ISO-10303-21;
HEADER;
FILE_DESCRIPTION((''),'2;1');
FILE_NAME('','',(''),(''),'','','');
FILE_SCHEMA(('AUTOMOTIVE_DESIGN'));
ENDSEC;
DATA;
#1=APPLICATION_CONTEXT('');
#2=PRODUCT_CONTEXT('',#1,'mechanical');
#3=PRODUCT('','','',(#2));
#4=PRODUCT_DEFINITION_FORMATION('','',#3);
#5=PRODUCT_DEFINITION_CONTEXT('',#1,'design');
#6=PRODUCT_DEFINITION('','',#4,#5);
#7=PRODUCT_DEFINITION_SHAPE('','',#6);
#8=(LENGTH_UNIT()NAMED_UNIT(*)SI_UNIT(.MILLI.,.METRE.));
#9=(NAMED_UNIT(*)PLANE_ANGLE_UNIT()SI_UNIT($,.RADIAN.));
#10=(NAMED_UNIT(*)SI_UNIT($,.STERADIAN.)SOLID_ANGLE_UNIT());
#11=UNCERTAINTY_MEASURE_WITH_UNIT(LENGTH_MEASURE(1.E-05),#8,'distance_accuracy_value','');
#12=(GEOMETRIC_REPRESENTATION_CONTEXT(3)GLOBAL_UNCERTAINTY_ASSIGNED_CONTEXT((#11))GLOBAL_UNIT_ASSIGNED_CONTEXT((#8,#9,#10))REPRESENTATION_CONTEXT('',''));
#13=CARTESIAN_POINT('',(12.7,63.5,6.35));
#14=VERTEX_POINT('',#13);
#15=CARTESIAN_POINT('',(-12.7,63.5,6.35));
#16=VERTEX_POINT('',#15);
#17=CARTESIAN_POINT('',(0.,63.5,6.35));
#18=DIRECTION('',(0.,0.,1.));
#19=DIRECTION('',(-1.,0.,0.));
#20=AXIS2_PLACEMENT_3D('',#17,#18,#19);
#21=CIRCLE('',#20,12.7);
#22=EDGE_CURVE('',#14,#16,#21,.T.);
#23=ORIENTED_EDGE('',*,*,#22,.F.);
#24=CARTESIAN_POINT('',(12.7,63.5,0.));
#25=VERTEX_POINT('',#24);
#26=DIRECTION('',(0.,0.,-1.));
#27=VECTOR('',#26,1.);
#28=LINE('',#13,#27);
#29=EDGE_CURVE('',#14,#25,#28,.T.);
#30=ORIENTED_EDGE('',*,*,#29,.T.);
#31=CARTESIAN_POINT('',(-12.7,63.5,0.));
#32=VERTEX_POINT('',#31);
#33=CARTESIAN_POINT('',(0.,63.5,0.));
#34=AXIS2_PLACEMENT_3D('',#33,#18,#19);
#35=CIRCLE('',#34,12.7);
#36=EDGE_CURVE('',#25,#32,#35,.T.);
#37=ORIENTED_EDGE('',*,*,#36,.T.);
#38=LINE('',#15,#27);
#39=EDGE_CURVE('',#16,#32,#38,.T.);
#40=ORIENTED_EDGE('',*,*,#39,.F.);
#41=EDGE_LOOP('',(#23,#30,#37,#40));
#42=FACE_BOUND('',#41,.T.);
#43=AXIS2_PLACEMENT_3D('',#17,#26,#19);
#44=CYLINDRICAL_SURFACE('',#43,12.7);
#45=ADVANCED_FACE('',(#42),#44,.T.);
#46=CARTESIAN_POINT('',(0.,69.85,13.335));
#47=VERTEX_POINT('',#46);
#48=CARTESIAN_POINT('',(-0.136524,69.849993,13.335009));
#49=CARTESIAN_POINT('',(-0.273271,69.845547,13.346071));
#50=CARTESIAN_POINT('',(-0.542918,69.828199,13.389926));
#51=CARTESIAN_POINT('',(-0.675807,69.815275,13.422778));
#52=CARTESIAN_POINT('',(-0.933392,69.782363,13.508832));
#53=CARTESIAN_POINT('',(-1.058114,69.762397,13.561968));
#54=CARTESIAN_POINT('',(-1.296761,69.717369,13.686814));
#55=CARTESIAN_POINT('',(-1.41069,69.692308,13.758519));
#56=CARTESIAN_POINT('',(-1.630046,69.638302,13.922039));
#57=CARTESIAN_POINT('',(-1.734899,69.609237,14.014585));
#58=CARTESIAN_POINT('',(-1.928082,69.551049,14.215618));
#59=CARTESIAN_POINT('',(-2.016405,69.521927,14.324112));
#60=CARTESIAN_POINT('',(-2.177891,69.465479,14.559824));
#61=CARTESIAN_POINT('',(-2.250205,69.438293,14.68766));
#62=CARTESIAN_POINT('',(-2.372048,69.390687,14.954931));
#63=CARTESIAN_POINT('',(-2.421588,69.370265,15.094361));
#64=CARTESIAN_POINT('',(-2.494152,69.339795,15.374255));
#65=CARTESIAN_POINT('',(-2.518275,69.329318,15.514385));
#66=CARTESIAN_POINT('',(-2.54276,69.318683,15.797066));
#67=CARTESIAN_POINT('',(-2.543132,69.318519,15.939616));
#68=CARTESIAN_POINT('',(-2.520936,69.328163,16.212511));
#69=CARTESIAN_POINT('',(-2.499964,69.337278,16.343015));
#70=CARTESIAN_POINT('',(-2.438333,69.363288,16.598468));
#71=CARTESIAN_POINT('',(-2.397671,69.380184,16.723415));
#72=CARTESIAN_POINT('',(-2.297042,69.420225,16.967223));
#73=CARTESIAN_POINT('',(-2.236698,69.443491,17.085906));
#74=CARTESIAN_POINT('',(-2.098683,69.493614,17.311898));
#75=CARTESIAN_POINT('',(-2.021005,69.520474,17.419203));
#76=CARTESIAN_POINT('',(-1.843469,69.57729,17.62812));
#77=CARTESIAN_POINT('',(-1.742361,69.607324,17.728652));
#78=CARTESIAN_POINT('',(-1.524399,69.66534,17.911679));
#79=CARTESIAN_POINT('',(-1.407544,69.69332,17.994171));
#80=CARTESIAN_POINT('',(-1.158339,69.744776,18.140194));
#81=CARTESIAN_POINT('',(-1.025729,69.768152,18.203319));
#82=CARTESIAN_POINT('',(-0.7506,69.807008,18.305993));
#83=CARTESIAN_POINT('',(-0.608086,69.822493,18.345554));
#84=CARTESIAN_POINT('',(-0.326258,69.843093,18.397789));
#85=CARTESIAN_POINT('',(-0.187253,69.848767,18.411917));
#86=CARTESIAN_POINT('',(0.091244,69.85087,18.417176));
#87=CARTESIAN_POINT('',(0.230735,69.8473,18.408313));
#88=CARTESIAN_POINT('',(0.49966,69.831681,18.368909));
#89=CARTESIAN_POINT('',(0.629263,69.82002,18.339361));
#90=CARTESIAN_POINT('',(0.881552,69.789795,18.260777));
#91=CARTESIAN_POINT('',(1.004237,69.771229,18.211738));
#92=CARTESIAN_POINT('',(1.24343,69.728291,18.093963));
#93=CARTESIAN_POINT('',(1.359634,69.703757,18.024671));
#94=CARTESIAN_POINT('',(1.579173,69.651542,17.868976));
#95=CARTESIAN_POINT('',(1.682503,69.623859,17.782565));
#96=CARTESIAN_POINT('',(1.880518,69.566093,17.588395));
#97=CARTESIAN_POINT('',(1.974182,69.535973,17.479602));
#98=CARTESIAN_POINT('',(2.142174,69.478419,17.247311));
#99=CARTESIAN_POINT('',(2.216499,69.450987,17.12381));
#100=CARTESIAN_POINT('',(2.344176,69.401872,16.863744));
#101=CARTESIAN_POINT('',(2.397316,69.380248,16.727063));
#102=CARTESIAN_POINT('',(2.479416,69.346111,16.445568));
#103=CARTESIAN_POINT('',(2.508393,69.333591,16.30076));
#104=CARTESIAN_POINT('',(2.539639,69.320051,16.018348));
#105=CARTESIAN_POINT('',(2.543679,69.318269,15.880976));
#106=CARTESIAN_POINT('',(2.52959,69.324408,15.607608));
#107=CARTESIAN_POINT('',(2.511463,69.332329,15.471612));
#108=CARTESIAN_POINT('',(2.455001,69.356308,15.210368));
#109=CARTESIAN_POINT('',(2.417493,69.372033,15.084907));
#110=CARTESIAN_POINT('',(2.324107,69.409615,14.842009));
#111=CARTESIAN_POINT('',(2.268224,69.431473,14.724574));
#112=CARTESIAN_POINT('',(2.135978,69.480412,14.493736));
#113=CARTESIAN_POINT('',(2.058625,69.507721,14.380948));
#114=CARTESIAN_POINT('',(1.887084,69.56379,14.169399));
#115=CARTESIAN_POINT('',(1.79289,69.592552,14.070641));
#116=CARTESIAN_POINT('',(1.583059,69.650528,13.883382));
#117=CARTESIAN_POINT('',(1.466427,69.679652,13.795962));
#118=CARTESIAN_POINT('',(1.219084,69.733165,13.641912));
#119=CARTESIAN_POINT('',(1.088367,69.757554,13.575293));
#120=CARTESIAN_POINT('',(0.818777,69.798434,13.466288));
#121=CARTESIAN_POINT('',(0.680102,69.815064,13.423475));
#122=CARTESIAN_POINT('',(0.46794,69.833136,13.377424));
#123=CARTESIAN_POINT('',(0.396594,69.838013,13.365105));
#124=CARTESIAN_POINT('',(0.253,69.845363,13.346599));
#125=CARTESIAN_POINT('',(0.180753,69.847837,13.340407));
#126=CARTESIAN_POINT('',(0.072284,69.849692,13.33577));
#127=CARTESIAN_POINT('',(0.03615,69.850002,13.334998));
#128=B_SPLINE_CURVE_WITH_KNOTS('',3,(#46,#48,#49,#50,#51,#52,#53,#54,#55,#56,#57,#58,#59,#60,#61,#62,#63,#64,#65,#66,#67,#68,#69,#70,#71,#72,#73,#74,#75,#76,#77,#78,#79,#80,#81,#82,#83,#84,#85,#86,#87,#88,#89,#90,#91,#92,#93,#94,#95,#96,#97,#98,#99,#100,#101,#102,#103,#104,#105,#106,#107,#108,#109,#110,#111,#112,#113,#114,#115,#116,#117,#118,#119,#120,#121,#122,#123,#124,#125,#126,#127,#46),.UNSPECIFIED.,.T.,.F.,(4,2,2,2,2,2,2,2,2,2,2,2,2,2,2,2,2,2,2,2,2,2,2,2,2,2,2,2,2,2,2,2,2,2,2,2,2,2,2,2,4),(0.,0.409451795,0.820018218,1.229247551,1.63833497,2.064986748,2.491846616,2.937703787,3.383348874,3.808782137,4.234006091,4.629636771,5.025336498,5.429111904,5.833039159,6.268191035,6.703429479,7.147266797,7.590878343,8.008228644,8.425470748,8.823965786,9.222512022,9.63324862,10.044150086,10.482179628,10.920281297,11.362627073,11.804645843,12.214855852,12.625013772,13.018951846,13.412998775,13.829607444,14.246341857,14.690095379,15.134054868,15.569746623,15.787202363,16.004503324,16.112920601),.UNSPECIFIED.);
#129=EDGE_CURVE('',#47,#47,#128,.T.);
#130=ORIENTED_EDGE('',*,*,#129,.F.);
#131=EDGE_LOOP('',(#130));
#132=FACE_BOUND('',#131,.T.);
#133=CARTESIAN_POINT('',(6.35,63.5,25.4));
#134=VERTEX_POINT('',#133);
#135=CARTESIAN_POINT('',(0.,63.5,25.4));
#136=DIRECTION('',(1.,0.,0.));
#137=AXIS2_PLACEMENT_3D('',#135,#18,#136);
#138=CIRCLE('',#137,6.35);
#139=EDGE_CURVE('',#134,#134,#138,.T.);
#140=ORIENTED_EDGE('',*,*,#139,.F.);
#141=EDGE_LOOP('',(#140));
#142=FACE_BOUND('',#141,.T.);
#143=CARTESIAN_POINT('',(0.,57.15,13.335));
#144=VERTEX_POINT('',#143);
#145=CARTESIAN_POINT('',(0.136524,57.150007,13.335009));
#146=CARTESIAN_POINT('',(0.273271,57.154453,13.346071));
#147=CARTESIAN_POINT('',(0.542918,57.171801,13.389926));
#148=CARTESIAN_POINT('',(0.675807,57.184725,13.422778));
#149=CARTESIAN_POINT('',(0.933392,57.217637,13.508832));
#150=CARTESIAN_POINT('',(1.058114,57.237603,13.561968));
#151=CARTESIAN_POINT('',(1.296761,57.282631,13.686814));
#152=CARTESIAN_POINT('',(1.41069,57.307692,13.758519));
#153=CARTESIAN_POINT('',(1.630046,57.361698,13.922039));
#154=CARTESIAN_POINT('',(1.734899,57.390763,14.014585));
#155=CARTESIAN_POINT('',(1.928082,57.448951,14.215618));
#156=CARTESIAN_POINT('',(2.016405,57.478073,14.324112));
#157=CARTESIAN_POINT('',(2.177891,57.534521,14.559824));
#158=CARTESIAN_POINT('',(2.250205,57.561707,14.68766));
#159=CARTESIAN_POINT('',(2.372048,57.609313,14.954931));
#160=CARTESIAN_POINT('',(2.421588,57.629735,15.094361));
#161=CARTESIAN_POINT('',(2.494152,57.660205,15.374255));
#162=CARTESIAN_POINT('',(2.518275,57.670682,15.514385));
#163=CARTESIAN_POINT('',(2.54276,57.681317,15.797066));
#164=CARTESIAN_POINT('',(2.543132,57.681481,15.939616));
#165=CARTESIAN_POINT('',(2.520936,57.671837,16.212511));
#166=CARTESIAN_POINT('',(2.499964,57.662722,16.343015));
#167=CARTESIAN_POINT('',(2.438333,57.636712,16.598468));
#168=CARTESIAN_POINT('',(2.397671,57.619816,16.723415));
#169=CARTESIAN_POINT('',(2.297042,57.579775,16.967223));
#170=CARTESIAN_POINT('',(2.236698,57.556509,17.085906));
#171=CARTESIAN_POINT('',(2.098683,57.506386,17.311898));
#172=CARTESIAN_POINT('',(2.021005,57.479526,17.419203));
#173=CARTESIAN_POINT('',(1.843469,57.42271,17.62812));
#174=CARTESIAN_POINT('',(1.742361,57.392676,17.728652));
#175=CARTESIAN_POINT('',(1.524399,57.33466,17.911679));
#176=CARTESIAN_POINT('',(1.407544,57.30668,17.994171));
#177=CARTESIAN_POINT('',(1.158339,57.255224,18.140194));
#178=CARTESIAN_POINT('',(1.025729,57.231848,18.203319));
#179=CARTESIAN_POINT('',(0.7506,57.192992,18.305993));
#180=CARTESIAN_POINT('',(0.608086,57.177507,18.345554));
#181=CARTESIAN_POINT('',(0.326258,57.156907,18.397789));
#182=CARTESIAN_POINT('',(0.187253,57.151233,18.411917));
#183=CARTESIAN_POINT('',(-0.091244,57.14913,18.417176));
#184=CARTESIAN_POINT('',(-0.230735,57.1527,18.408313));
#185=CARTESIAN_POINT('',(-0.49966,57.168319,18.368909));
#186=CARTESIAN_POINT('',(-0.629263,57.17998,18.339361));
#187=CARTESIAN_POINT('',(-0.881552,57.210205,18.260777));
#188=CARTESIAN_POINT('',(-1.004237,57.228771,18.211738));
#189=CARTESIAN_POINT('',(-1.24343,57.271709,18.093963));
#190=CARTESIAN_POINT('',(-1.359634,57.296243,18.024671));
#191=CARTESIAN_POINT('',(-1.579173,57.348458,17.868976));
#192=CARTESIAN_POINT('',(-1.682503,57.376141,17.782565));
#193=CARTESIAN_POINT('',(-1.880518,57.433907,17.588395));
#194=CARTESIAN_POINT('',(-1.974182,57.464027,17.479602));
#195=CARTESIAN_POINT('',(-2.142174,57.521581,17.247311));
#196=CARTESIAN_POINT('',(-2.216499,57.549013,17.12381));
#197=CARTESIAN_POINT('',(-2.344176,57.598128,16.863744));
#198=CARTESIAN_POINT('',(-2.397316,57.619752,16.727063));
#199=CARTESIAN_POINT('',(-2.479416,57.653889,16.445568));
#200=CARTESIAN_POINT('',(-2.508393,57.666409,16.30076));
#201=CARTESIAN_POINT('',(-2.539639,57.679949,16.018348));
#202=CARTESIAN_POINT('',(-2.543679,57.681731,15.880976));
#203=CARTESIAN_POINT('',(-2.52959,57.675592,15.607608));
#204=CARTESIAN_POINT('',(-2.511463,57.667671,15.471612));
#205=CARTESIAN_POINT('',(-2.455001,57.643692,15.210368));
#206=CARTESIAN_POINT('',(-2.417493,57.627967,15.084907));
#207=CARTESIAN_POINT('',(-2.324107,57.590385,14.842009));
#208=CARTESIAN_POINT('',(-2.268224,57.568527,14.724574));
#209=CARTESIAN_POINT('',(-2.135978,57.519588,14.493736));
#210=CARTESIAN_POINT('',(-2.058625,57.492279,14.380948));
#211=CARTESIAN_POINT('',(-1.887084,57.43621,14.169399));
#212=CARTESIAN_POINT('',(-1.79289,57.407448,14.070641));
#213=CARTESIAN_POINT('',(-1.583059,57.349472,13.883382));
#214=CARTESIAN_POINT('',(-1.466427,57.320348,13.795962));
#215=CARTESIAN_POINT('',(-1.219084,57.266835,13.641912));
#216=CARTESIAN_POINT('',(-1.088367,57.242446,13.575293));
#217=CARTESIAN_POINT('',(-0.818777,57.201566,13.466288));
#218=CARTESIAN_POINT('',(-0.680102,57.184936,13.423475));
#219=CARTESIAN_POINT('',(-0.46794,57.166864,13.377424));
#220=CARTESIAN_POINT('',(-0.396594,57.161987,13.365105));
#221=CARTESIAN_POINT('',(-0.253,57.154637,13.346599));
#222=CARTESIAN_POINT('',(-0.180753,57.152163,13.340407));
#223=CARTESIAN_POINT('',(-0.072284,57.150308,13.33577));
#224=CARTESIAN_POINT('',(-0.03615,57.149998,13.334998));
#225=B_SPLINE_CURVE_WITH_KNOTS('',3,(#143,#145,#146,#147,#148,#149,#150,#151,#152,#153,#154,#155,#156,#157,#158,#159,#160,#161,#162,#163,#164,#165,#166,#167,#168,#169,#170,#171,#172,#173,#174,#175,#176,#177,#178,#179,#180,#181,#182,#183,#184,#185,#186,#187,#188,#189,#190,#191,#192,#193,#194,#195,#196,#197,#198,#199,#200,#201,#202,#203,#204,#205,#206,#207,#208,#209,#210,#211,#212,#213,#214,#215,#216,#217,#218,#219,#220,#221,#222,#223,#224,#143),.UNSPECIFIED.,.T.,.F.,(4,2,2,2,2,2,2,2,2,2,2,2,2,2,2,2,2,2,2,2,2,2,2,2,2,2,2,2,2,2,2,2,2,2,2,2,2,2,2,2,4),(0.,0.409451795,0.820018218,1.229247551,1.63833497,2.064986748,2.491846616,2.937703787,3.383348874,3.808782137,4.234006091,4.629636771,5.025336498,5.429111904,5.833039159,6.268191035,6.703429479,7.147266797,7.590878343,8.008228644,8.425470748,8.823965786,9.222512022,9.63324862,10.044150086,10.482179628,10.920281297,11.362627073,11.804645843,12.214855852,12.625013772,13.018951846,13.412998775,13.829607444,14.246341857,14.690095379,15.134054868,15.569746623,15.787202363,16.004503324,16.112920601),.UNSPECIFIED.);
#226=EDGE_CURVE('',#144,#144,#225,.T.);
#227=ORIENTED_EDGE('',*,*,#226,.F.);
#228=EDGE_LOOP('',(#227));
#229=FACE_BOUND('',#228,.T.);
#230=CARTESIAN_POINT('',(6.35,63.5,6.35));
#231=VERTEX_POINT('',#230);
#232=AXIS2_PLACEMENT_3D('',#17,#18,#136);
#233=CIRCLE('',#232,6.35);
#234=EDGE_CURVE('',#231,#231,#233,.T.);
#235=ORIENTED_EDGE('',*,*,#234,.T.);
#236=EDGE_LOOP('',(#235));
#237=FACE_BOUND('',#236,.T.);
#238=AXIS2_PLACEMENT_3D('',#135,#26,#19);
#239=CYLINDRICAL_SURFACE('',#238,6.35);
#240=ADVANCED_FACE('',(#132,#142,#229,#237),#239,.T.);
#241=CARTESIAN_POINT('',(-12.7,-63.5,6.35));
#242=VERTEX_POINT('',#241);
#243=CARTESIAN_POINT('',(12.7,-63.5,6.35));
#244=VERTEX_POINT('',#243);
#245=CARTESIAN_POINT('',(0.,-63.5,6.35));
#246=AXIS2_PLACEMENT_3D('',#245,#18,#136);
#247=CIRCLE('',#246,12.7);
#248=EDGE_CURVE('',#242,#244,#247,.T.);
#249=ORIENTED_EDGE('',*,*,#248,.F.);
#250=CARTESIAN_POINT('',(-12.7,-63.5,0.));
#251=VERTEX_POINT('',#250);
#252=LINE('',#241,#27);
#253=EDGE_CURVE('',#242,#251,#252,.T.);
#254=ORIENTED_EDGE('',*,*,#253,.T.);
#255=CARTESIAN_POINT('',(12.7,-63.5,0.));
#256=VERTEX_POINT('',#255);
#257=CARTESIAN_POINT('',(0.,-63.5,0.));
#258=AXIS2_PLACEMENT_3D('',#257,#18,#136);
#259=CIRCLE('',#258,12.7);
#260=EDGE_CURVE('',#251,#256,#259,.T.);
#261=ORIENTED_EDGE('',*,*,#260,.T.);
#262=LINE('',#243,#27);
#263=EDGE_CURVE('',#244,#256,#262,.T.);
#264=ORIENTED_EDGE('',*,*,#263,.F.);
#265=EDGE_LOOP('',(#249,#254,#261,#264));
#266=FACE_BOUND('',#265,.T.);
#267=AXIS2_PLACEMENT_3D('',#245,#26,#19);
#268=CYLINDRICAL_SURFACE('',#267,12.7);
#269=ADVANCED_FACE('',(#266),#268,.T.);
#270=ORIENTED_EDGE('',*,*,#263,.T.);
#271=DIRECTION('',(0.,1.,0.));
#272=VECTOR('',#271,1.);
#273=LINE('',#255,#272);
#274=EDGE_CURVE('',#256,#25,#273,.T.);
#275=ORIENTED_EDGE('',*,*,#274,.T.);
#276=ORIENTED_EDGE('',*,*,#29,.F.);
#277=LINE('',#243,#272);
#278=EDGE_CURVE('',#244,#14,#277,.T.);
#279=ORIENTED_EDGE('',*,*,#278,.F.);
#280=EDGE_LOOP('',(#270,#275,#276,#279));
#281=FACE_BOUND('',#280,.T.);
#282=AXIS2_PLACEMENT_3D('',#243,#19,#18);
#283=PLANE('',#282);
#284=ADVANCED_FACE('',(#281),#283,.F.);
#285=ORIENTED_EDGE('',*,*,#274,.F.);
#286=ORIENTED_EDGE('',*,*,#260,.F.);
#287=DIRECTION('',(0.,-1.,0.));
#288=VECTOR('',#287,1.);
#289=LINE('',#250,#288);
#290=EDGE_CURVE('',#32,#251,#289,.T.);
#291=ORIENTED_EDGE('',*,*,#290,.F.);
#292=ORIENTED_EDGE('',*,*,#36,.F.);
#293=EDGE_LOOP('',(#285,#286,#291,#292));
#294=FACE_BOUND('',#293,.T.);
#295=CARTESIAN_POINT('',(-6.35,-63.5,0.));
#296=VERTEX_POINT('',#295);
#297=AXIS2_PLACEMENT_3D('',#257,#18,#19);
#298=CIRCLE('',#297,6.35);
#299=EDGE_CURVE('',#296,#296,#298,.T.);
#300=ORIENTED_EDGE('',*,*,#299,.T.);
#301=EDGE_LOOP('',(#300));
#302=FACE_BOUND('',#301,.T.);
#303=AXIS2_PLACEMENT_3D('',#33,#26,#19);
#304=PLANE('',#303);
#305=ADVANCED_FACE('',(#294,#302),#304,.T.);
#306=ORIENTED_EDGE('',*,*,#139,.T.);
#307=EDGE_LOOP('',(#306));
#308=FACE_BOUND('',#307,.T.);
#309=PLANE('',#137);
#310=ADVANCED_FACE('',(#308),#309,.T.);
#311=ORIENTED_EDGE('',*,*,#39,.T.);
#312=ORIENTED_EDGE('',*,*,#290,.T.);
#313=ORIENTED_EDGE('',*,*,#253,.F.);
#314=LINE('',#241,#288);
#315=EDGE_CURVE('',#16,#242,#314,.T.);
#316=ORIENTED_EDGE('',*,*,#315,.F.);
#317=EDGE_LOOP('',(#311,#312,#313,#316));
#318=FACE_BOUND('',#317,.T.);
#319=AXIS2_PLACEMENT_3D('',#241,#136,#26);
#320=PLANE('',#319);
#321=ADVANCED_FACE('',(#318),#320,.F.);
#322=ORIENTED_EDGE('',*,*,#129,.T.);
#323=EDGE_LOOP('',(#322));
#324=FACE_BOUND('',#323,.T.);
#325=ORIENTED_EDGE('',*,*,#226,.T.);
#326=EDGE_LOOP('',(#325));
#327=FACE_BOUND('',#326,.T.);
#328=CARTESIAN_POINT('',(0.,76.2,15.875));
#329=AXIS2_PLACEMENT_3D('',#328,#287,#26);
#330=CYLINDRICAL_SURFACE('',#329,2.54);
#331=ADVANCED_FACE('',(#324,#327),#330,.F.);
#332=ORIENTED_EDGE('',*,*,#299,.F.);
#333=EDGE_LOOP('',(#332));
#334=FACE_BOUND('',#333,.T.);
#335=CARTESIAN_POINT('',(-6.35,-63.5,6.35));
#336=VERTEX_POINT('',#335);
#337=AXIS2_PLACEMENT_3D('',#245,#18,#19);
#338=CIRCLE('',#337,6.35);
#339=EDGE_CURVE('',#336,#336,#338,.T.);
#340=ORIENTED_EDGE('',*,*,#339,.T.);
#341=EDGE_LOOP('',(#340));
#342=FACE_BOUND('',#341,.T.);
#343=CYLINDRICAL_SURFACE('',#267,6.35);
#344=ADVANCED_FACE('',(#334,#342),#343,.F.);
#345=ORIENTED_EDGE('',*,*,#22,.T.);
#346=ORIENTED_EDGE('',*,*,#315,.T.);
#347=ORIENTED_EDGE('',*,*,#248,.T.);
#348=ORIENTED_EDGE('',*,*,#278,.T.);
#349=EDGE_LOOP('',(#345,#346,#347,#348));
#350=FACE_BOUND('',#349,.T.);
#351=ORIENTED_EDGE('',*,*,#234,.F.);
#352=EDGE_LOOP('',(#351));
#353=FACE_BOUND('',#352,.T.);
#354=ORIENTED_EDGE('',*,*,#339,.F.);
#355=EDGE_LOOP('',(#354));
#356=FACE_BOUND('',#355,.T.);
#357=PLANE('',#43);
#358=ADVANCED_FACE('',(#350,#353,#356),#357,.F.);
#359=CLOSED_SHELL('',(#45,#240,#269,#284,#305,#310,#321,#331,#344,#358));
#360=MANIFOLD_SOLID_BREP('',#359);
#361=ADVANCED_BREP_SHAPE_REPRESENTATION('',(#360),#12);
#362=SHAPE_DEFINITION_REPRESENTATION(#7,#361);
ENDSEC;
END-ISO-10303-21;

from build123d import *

# Parameters (mm, degrees)
SKETCH1_R           = 6.35
BOSS_EXTRUDE1_DEPTH = 6.35
SKETCH2_R           = 6.35
BOSS_EXTRUDE3_DEPTH = 25.4
SKETCH5_R           = 2.54
CUT_EXTRUDE2_DEPTH  = 82.319677815


with BuildPart() as part:
    # Sketch1 → Boss-Extrude1 (new body)
    with BuildSketch(Plane.XY):
        with BuildLine():
            Line((-12.7, -63.5), (-12.7, 63.5))
            ThreePointArc((-12.7, 63.5), (0, 76.2), (12.7, 63.5))
            Line((12.7, 63.5), (12.7, -63.5))
            ThreePointArc((12.7, -63.5), (0, -76.2), (-12.7, -63.5))
        make_face()
        with Locations((0, 63.5)):
            Circle(SKETCH1_R, mode=Mode.SUBTRACT)
        with Locations(Location((0, -63.5, 0), (0, 0, 180))):
            Circle(SKETCH1_R, mode=Mode.SUBTRACT)
    extrude(amount=BOSS_EXTRUDE1_DEPTH)

    # Sketch2 → Boss-Extrude3 (add)
    with BuildSketch(Plane.XY):
        with Locations((0, 63.5)):
            Circle(SKETCH2_R)
    extrude(amount=BOSS_EXTRUDE3_DEPTH)

    # Sketch5 → Cut-Extrude2 (cut, through all)
    with BuildSketch(Plane(origin=(0, 0, 0), x_dir=(1, 0, 0), z_dir=(0, 1, 0))):
        with Locations(Location((0, -15.875, 0), (0, 0, 90))):
            Circle(SKETCH5_R)
    extrude(amount=CUT_EXTRUDE2_DEPTH, mode=Mode.SUBTRACT)


solid = part.part
